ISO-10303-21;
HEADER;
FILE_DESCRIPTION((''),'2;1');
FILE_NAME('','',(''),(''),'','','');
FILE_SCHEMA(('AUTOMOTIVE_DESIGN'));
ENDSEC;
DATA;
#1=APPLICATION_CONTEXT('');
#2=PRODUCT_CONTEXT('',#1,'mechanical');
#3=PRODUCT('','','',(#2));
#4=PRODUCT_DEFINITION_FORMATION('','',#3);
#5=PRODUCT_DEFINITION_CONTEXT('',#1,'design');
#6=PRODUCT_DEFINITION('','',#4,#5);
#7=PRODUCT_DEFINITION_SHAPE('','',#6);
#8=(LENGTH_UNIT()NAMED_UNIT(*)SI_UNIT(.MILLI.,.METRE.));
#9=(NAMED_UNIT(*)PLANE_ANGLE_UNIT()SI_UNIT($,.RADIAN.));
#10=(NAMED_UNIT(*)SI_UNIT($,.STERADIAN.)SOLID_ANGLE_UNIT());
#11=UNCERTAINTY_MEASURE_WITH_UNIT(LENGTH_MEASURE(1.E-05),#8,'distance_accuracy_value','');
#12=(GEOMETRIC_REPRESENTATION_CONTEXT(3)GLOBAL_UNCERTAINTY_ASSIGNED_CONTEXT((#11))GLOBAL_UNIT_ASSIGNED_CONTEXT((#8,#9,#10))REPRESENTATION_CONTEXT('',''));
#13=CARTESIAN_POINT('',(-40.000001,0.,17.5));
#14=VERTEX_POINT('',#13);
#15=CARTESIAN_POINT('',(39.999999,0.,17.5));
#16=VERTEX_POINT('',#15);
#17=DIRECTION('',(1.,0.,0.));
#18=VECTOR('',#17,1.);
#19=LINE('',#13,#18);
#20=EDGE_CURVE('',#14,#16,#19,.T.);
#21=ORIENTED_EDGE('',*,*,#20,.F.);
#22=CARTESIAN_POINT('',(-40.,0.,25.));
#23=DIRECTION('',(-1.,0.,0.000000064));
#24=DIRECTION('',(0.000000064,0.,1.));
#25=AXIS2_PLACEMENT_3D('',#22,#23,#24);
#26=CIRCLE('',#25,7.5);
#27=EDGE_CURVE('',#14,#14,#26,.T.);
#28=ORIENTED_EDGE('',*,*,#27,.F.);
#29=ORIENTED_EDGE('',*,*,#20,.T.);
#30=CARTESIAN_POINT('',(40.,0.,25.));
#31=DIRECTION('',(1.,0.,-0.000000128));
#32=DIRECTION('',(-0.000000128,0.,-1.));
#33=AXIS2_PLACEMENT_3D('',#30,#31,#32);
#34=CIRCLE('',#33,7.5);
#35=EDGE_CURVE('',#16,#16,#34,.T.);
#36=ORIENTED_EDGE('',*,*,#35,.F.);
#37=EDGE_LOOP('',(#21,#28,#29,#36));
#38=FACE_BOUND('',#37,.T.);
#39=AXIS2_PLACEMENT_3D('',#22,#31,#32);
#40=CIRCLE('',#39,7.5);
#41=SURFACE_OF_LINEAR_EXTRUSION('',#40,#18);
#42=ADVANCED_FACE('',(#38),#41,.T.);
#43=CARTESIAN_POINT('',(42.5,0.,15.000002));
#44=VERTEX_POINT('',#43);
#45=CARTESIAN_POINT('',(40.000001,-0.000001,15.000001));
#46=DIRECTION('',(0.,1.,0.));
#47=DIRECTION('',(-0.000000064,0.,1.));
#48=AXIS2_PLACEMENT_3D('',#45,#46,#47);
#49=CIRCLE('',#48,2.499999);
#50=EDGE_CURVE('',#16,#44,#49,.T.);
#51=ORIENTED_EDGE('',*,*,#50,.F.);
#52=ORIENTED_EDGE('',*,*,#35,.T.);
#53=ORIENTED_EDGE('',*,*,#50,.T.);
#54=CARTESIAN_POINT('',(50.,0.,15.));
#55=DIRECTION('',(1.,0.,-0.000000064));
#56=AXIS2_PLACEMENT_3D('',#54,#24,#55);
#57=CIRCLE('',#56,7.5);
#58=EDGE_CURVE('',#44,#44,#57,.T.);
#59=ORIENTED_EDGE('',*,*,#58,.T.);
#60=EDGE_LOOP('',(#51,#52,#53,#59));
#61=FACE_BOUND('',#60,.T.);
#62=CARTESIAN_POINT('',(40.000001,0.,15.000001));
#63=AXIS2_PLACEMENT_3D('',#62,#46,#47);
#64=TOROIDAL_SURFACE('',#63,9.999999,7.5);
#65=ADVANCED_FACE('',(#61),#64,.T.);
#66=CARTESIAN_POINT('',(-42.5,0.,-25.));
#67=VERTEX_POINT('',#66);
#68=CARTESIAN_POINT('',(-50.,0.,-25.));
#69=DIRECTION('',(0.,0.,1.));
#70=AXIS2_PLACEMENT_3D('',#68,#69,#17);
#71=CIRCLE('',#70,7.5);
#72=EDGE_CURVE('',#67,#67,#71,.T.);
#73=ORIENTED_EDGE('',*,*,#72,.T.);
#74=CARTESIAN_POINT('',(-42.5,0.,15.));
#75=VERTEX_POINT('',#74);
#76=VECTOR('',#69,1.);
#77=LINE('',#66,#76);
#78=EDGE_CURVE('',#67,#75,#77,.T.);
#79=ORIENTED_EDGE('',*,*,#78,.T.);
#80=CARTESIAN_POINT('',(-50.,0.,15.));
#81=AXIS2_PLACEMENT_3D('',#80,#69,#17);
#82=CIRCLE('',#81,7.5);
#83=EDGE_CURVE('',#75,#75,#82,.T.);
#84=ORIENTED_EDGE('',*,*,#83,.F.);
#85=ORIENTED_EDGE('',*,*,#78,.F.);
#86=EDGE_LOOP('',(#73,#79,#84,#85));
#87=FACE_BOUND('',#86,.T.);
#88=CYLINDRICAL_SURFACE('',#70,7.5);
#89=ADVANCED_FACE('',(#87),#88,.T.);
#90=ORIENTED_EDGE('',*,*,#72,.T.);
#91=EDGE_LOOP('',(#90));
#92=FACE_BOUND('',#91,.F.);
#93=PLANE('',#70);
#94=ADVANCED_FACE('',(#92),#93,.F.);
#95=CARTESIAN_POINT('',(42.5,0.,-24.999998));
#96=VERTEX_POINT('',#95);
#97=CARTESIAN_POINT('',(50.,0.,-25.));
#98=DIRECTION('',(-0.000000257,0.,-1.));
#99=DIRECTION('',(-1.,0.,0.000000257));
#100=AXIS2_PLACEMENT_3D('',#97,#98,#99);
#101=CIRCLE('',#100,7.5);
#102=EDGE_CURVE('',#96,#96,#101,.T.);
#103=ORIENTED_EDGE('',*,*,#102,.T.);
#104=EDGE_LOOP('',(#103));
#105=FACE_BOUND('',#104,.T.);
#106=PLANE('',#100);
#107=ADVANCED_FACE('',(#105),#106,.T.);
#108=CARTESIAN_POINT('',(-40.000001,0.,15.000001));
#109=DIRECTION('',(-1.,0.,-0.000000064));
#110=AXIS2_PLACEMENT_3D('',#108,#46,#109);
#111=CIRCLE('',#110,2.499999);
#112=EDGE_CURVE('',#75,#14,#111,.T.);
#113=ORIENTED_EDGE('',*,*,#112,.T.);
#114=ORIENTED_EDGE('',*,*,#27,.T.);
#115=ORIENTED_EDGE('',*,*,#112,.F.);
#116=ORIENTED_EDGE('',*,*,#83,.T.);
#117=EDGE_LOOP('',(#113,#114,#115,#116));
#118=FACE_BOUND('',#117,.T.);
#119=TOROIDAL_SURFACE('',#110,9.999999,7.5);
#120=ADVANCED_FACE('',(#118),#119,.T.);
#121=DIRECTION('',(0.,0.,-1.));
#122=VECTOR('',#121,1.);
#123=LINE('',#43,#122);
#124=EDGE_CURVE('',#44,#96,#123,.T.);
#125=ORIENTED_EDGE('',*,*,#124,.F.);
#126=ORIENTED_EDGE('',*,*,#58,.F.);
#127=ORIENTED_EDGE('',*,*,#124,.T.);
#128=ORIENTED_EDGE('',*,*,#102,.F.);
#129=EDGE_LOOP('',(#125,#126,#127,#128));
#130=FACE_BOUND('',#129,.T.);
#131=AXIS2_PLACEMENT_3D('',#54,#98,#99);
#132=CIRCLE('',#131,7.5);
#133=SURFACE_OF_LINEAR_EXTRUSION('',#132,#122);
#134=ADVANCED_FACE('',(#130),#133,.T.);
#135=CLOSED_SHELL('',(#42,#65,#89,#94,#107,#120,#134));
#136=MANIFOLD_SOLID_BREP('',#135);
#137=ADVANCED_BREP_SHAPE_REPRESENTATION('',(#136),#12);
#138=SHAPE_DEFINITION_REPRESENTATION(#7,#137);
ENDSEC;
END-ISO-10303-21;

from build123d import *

# Parameters (mm, degrees)
F1_R = 7.5


with BuildPart() as f3:
    # F3: sweep along a path in F2
    with BuildLine(Plane.XZ) as f3_path:
        Line((-50, -25), (-50, 15))
        ThreePointArc((-50, 15), (-47.071068, 22.071068), (-40, 25))
        Line((-40, 25), (40, 25))
        ThreePointArc((40, 25), (47.071068, 22.071068), (50, 15))
        Line((50, 15), (50, -25))
    # F1 (on offset) → F3 (sweep)
    with BuildSketch(Plane.XY.offset(-25)):
        with Locations((-50, 0)):
            Circle(F1_R)
    sweep(path=f3_path.line)


solid = f3.part
